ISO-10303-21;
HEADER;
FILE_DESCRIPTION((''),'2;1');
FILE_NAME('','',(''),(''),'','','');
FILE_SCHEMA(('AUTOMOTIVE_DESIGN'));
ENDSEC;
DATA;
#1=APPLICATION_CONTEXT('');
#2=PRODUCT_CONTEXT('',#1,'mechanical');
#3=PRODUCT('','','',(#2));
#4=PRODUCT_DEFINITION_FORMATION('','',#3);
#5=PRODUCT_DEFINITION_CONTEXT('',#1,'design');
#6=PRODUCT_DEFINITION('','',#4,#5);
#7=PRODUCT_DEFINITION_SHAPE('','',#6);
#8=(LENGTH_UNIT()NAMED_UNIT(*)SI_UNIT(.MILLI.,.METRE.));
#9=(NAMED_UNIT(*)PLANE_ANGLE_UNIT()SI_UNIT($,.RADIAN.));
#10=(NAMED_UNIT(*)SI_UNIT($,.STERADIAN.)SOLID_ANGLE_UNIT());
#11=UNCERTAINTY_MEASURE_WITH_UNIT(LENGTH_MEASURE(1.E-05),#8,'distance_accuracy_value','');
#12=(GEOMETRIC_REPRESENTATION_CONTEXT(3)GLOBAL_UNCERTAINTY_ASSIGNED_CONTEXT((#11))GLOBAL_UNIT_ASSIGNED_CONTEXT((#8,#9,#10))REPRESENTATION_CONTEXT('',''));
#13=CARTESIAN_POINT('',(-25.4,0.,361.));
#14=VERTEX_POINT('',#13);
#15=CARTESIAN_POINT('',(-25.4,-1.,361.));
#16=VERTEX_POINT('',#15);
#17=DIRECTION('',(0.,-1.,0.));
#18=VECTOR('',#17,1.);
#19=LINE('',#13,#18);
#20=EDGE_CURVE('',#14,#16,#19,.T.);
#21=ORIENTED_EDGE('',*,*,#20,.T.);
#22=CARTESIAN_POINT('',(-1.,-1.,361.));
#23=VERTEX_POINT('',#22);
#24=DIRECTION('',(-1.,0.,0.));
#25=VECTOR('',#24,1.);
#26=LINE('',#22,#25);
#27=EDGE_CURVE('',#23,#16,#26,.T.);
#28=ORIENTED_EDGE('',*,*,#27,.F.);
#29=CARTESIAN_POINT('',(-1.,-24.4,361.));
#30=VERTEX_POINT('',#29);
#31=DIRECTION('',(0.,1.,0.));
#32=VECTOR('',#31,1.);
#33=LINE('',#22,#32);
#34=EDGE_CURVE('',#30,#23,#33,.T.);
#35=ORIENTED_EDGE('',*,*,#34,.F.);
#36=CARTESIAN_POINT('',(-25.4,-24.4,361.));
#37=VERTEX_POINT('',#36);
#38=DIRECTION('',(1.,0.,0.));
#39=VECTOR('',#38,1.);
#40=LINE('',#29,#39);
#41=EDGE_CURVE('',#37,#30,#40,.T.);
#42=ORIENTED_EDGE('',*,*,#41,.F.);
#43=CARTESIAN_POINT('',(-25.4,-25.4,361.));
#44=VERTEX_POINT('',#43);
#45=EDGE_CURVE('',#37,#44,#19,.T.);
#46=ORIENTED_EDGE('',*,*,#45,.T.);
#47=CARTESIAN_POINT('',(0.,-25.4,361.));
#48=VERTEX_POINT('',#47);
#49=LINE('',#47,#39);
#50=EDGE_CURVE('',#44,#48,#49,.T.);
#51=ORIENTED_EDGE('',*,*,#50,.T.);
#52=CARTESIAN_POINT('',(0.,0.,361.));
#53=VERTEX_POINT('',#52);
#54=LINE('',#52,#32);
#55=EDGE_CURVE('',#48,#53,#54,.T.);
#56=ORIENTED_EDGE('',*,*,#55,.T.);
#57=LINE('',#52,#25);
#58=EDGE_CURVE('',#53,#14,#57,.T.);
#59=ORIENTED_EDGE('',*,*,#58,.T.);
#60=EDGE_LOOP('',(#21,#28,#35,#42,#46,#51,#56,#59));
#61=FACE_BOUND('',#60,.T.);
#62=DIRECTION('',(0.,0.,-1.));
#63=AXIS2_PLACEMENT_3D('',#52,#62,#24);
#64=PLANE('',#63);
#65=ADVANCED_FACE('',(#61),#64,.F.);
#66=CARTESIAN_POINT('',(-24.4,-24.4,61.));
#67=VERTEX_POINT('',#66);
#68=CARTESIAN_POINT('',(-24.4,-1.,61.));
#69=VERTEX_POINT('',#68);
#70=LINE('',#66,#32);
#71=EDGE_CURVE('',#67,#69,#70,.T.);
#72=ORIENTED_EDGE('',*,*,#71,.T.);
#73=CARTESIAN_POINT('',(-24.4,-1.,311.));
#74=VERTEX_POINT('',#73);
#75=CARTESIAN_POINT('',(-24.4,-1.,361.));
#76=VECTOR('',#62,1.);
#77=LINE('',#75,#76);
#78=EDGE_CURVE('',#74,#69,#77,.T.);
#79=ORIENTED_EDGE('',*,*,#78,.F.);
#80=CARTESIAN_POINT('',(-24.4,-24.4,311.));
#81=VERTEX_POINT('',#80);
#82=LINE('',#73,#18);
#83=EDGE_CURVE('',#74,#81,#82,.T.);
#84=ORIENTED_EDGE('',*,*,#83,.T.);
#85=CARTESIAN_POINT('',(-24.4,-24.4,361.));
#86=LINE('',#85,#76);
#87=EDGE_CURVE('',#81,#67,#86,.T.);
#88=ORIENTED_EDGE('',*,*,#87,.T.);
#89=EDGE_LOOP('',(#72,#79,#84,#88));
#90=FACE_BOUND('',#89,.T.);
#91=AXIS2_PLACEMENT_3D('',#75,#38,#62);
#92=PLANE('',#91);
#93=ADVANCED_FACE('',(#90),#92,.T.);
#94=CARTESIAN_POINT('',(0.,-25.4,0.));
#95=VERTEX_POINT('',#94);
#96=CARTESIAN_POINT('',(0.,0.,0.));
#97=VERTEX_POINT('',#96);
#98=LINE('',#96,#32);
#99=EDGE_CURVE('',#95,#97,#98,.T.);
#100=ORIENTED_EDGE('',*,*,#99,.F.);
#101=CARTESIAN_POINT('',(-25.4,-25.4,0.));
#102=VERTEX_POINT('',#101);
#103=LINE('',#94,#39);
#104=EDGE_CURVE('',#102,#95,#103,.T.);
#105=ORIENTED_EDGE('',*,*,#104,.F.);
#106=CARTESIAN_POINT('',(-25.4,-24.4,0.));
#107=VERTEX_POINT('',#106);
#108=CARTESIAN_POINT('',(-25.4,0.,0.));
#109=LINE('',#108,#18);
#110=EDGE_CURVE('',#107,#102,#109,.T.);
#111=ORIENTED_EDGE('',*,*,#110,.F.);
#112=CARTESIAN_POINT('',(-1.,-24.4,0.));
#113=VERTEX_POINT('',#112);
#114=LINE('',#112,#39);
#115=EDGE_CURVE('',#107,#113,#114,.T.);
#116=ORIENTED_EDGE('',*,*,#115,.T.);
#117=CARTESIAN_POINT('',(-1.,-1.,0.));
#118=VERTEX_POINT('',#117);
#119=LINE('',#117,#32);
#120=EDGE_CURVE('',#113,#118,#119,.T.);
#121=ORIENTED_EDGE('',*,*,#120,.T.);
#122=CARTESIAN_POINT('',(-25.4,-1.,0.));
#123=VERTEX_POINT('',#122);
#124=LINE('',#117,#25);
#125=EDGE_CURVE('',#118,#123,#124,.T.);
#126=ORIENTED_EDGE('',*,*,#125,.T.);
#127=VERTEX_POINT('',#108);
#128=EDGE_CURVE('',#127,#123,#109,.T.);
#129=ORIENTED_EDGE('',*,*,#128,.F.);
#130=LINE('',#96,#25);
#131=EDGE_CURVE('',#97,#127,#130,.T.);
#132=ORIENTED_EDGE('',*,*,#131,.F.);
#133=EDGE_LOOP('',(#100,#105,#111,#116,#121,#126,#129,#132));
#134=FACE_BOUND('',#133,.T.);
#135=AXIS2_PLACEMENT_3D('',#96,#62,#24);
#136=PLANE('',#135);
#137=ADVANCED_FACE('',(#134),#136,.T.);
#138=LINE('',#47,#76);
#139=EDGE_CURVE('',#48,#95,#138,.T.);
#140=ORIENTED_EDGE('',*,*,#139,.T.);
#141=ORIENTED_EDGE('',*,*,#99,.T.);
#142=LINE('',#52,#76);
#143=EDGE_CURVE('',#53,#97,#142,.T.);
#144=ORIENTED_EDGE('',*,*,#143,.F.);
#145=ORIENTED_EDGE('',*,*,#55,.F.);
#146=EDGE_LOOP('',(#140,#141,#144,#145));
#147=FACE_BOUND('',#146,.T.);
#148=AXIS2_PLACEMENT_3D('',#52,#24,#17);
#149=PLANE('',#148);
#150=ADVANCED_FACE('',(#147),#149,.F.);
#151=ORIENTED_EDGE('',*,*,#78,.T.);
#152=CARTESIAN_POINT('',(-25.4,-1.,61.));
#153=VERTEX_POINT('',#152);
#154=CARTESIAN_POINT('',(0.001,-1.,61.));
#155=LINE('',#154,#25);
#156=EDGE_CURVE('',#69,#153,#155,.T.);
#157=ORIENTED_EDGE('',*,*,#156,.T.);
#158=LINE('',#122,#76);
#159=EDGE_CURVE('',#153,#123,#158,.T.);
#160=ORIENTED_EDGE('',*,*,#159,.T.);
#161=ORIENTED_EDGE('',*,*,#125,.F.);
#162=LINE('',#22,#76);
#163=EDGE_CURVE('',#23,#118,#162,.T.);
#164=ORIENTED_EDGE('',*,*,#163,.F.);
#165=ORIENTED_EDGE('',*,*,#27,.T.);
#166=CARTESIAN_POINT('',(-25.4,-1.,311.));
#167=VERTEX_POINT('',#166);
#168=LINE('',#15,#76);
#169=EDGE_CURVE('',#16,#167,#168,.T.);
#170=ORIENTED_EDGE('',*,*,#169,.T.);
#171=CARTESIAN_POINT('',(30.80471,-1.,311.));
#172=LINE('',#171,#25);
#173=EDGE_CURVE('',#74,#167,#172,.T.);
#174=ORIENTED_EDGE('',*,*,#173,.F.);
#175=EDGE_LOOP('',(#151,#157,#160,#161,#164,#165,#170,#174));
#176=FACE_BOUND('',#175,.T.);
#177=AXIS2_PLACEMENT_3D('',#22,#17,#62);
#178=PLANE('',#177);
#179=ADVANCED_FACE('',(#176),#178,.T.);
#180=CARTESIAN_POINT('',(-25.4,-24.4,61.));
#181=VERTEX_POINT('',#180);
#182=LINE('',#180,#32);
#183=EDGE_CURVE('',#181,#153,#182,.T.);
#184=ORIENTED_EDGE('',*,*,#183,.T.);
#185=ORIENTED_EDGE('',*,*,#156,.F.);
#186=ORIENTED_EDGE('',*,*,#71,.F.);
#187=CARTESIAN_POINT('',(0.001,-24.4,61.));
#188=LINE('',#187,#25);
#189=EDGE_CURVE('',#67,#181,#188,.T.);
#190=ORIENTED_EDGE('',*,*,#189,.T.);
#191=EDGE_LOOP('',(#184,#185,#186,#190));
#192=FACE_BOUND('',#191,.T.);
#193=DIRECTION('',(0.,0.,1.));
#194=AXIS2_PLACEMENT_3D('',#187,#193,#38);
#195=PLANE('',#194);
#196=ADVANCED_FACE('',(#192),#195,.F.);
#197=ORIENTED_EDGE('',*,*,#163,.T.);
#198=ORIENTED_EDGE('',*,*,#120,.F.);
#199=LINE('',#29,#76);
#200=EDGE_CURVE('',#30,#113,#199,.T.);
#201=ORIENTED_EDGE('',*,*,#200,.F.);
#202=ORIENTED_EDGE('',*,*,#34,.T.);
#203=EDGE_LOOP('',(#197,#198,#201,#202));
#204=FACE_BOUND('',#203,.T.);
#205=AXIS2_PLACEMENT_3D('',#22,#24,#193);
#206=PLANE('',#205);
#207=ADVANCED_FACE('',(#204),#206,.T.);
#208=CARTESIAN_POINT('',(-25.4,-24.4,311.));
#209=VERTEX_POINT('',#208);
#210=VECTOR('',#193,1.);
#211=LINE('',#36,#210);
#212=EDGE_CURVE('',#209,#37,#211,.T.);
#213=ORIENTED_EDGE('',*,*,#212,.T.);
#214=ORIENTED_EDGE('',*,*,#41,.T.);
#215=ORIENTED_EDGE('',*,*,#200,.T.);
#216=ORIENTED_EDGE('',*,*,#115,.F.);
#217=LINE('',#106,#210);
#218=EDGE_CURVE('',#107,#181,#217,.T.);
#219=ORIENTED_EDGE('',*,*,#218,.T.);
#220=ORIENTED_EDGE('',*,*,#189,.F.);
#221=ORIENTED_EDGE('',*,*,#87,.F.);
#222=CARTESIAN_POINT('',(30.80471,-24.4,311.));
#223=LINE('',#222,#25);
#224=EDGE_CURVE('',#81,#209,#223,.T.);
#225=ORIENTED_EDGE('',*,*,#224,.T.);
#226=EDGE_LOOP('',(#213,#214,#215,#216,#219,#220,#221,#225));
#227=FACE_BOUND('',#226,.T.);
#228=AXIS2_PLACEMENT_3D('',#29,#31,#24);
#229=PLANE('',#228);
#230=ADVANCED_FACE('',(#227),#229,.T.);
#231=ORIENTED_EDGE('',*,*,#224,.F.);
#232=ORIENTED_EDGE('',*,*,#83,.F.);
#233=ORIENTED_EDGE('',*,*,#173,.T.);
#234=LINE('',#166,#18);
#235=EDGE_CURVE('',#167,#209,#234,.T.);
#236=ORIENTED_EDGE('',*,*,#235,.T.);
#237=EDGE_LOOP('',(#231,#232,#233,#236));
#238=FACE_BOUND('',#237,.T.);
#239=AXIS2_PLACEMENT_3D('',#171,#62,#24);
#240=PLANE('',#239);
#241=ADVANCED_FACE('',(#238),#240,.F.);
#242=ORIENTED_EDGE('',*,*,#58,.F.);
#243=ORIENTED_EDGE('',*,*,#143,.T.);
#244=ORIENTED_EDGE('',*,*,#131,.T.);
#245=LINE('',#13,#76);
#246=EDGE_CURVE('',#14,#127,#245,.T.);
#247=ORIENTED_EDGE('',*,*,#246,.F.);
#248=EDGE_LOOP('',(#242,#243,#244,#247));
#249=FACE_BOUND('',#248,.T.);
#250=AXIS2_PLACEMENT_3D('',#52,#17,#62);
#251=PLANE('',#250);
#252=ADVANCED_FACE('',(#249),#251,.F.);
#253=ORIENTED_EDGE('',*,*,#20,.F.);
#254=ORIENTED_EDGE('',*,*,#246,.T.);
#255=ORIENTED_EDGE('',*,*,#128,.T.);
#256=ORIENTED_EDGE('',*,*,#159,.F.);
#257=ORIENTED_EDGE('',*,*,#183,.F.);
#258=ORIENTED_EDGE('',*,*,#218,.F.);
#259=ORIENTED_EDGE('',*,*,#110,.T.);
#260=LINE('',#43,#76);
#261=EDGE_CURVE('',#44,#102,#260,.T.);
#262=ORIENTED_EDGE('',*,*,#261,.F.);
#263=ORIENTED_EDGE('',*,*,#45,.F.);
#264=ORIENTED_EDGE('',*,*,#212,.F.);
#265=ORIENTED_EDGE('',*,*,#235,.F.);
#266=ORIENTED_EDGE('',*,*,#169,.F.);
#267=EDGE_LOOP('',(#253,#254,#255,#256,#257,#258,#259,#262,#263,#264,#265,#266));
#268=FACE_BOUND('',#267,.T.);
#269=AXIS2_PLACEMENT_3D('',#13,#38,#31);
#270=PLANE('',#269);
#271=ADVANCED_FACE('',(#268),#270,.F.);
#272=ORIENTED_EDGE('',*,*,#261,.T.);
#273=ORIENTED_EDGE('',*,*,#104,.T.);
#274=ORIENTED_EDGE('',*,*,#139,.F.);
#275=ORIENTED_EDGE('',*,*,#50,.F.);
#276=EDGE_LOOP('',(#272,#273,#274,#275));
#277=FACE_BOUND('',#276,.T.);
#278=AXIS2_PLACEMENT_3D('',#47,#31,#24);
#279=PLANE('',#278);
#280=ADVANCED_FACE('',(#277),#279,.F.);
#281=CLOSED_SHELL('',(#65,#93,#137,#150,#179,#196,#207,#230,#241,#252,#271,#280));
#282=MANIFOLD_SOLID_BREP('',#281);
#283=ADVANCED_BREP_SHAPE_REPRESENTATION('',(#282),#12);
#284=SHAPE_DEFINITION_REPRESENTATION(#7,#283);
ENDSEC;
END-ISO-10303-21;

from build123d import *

# Parameters (mm, degrees)
CROQUIS1_W              = 25.4
CROQUIS1_H              = 25.4
CROQUIS1_W_2            = 23.4
CROQUIS1_H_2            = 23.4
SALIENTE_EXTRUIR1_DEPTH = 361
CROQUIS2_W              = 50
CROQUIS2_H              = 23.4
CORTAR_EXTRUIR1_DEPTH   = 1
CORTAR_EXTRUIR2_REACH   = 364.783
CROQUIS3_W              = 11
CROQUIS3_H              = 23.4


with BuildPart() as part:
    # Croquis1 → Saliente-Extruir1 (new body)
    with BuildSketch(Plane.XY):
        with Locations((-12.7, -12.7)):
            Rectangle(CROQUIS1_W, CROQUIS1_H)
        with Locations((-12.7, -12.7)):
            Rectangle(CROQUIS1_W_2, CROQUIS1_H_2, mode=Mode.SUBTRACT)
    extrude(amount=SALIENTE_EXTRUIR1_DEPTH)

    # Croquis2 → Cortar-Extruir1 (cut)
    with BuildSketch(Plane.ZY.offset(25.4)):
        with Locations((336, -12.7)):
            Rectangle(CROQUIS2_W, CROQUIS2_H)
        with Locations((25, -12.7)):
            Rectangle(CROQUIS2_W, CROQUIS2_H)
    extrude(amount=-CORTAR_EXTRUIR1_DEPTH, mode=Mode.SUBTRACT)

    # Croquis3 → Cortar-Extruir2 (cut, up to next)
    with BuildSketch(Plane.ZY.offset(25.4), mode=Mode.PRIVATE) as cortar_extruir2_sk1:
        with Locations((55.5, -12.7)):
            Rectangle(CROQUIS3_W, CROQUIS3_H)
    cortar_extruir2_tool1 = extrude(cortar_extruir2_sk1.sketch, amount=-CORTAR_EXTRUIR2_REACH, mode=Mode.PRIVATE) & part.part
    add(cortar_extruir2_tool1.solids().sort_by_distance((-25.4, -12.7, 55.5))[0], mode=Mode.SUBTRACT)


solid = part.part
